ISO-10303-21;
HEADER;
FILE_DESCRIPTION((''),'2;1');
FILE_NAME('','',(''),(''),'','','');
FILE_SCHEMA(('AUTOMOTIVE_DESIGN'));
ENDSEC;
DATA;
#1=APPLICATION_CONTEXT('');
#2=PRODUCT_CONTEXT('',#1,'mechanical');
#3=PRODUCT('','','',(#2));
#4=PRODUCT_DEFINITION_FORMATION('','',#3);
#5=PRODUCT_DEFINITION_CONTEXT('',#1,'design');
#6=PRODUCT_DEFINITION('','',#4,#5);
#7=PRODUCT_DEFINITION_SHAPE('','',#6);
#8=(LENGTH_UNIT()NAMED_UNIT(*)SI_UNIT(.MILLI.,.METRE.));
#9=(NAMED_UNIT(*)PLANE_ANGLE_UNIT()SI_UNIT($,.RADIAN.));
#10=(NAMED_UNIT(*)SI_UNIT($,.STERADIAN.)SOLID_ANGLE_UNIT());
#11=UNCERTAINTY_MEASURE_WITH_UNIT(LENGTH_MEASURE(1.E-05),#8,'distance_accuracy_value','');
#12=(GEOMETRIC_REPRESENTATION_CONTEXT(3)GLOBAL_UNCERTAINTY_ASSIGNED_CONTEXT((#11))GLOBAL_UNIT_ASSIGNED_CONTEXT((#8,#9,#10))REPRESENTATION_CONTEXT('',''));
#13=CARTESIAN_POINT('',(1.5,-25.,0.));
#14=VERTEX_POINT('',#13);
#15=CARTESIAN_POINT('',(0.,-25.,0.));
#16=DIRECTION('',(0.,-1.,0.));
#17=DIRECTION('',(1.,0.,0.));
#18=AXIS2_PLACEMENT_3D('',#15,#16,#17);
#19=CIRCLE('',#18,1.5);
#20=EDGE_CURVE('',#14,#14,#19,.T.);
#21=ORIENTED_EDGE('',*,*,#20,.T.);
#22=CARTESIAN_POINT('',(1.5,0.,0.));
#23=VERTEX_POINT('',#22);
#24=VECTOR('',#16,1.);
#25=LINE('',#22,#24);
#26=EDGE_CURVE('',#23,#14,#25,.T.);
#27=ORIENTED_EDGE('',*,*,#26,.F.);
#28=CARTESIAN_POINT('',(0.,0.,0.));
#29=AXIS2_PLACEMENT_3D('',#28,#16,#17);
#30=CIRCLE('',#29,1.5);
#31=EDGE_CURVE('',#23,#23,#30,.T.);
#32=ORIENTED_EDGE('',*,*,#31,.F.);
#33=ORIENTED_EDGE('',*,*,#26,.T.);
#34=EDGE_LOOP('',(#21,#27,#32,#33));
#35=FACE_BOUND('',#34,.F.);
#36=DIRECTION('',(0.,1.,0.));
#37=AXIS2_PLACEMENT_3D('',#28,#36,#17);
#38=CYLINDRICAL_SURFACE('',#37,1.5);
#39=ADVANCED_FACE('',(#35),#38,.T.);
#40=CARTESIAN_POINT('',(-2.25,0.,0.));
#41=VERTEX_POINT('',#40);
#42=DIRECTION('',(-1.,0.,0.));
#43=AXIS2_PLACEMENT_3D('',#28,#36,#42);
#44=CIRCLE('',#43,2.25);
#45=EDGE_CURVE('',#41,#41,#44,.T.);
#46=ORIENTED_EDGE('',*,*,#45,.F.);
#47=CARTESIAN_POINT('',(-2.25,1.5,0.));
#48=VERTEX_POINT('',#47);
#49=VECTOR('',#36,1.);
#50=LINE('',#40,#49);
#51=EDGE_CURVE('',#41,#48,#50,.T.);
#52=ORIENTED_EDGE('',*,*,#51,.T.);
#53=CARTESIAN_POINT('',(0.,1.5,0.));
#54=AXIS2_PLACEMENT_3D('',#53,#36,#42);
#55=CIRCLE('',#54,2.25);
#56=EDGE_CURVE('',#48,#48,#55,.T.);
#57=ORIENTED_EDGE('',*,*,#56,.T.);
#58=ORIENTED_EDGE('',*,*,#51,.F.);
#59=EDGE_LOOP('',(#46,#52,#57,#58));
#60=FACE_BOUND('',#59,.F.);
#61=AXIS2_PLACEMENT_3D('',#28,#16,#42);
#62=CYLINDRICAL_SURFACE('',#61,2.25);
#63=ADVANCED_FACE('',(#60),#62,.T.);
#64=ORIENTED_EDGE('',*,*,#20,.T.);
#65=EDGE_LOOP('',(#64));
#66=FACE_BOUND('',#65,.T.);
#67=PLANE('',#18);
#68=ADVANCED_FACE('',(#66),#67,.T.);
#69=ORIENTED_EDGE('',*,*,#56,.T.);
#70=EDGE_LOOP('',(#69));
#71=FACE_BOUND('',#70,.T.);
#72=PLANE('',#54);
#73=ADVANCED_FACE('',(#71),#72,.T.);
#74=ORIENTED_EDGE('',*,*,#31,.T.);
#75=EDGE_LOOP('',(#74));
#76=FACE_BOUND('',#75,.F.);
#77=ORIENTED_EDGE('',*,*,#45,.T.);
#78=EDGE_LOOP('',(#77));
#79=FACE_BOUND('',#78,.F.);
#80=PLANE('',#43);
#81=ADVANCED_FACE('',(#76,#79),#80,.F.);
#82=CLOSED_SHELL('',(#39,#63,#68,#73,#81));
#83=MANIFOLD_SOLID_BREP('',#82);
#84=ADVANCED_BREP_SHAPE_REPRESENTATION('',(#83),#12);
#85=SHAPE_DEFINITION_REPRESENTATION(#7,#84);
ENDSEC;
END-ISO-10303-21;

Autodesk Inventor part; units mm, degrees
ref_plane "YZ Plane" through (0, 0, 0) normal (1, 0, 0) x (0, 1, 0)
ref_plane "XZ Plane" through (0, 0, 0) normal (0, 1, 0) x (-1, 0, 0)
ref_plane "XY Plane" through (0, 0, 0) normal (0, 0, 1) x (1, 0, 0)
sketch "Sketch1" plane through (0, 0, 0) normal (0, 1, 0) x (-1, 0, 0)
  circle A0 centre (0, 0) radius 2.25
  dimension "d0" = 4.5
extrude "Extrusion1" add sketch "Sketch1" along normal blind 1.5
sketch "Sketch2" plane through (0, 0, 0) normal (0, -1, 0) x (1, 0, 0)
  circle A0 centre (0, 0) radius 1.5
  dimension "d3" = 3
extrude "Extrusion2" add sketch "Sketch2" along normal blind 25
properties part number "m3"
